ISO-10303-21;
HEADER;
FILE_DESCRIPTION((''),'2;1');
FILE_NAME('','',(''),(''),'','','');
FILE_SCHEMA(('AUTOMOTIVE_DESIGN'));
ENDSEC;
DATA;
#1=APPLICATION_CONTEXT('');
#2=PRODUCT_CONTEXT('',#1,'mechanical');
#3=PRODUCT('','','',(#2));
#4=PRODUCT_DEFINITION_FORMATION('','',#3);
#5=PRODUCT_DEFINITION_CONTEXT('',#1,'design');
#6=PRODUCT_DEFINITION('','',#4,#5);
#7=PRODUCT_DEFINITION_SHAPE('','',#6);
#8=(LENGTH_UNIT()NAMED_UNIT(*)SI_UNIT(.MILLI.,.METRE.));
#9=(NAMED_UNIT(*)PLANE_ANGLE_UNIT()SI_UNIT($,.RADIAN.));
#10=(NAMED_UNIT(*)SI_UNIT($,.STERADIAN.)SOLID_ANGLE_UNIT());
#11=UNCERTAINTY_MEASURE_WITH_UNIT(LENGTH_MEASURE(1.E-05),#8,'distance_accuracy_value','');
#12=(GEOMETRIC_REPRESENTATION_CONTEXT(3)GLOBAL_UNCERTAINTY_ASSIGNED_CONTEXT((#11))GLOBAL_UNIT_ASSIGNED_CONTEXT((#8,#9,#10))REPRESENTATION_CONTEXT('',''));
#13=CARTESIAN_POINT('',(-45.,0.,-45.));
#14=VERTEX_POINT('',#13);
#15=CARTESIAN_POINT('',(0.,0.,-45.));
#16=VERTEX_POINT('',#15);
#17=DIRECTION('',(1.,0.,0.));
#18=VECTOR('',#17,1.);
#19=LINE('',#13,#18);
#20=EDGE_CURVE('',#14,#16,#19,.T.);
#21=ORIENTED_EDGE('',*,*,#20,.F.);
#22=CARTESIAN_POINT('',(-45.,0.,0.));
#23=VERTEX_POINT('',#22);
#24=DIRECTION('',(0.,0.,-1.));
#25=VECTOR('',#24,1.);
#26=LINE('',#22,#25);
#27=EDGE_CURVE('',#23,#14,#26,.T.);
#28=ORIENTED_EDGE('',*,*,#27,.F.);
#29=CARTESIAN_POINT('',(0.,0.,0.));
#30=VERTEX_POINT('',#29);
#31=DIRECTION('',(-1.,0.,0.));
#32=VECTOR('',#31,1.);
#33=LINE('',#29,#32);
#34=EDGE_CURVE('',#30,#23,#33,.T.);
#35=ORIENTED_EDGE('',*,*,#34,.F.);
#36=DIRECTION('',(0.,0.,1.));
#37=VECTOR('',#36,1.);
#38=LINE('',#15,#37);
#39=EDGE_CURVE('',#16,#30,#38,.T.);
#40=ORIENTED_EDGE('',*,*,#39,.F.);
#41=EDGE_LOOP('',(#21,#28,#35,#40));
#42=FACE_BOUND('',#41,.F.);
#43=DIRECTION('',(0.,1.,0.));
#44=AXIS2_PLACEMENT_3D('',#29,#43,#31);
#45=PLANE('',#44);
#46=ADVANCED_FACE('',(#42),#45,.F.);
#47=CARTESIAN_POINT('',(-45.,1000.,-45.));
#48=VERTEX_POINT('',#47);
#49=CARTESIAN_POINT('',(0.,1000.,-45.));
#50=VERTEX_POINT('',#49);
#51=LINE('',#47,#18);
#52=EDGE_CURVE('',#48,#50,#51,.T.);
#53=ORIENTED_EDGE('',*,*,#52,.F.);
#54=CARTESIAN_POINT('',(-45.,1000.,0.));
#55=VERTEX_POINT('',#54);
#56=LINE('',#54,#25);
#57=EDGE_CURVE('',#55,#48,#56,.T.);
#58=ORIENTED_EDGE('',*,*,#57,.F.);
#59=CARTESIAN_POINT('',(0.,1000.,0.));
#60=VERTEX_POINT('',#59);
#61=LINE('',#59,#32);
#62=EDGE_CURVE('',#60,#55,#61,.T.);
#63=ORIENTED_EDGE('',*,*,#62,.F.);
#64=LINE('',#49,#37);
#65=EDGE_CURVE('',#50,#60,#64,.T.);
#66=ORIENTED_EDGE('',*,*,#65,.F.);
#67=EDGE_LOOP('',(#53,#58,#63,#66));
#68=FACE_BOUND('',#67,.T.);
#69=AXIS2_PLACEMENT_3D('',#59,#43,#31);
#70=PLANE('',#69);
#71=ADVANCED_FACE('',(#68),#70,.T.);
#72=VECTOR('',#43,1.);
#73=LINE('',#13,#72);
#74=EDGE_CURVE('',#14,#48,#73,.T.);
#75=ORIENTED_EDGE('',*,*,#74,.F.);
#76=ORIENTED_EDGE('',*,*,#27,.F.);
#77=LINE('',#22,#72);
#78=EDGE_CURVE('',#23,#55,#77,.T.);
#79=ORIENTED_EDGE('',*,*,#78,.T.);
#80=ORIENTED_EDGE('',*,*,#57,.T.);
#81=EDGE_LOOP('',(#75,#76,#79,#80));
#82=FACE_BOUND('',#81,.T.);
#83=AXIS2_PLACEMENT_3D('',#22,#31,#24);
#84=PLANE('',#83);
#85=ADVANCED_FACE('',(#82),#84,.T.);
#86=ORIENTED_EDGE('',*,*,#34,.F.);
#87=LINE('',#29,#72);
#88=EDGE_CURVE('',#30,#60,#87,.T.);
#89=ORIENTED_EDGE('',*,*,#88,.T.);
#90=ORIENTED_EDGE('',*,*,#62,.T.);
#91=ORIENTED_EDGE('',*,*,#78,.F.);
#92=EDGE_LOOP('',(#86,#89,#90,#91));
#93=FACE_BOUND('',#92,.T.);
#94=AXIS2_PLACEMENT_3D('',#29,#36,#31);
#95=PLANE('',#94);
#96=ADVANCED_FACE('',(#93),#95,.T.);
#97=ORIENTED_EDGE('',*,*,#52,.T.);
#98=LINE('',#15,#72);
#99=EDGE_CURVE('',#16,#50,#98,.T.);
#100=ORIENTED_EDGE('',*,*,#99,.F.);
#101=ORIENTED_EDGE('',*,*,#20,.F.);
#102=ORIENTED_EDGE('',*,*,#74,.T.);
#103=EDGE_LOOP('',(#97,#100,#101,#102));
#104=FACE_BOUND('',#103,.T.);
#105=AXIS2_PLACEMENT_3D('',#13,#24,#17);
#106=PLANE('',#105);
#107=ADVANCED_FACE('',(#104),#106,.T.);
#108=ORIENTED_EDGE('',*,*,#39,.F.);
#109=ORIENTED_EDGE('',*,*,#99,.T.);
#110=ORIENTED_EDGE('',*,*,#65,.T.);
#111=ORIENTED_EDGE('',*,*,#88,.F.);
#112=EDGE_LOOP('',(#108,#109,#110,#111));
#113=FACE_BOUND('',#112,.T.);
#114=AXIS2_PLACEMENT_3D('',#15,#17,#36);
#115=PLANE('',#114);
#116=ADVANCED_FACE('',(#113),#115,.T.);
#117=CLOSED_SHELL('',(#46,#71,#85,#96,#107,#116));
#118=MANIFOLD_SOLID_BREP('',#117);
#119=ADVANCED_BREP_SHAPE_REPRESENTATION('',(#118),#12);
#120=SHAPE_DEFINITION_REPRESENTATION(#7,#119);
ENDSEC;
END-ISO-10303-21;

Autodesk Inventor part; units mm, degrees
ref_plane "YZ Plane" through (0, 0, 0) normal (1, 0, 0) x (0, 1, 0)
ref_plane "XZ Plane" through (0, 0, 0) normal (0, 1, 0) x (-1, 0, 0)
ref_plane "XY Plane" through (0, 0, 0) normal (0, 0, 1) x (1, 0, 0)
sketch "Sketch1" plane through (0, 0, 0) normal (0, 1, 0) x (-1, 0, 0)
  line L0 (0, 0) -> (45, 0)
  line L1 (45, 0) -> (45, -45)
  line L2 (45, -45) -> (0, -45)
  line L3 (0, -45) -> (0, 0)
  dimension "d0" = 45
  dimension "d1" = 45
extrude "Extrusion1" add sketch "Sketch1" along normal blind 1000
properties part number "selfBeamShort"
